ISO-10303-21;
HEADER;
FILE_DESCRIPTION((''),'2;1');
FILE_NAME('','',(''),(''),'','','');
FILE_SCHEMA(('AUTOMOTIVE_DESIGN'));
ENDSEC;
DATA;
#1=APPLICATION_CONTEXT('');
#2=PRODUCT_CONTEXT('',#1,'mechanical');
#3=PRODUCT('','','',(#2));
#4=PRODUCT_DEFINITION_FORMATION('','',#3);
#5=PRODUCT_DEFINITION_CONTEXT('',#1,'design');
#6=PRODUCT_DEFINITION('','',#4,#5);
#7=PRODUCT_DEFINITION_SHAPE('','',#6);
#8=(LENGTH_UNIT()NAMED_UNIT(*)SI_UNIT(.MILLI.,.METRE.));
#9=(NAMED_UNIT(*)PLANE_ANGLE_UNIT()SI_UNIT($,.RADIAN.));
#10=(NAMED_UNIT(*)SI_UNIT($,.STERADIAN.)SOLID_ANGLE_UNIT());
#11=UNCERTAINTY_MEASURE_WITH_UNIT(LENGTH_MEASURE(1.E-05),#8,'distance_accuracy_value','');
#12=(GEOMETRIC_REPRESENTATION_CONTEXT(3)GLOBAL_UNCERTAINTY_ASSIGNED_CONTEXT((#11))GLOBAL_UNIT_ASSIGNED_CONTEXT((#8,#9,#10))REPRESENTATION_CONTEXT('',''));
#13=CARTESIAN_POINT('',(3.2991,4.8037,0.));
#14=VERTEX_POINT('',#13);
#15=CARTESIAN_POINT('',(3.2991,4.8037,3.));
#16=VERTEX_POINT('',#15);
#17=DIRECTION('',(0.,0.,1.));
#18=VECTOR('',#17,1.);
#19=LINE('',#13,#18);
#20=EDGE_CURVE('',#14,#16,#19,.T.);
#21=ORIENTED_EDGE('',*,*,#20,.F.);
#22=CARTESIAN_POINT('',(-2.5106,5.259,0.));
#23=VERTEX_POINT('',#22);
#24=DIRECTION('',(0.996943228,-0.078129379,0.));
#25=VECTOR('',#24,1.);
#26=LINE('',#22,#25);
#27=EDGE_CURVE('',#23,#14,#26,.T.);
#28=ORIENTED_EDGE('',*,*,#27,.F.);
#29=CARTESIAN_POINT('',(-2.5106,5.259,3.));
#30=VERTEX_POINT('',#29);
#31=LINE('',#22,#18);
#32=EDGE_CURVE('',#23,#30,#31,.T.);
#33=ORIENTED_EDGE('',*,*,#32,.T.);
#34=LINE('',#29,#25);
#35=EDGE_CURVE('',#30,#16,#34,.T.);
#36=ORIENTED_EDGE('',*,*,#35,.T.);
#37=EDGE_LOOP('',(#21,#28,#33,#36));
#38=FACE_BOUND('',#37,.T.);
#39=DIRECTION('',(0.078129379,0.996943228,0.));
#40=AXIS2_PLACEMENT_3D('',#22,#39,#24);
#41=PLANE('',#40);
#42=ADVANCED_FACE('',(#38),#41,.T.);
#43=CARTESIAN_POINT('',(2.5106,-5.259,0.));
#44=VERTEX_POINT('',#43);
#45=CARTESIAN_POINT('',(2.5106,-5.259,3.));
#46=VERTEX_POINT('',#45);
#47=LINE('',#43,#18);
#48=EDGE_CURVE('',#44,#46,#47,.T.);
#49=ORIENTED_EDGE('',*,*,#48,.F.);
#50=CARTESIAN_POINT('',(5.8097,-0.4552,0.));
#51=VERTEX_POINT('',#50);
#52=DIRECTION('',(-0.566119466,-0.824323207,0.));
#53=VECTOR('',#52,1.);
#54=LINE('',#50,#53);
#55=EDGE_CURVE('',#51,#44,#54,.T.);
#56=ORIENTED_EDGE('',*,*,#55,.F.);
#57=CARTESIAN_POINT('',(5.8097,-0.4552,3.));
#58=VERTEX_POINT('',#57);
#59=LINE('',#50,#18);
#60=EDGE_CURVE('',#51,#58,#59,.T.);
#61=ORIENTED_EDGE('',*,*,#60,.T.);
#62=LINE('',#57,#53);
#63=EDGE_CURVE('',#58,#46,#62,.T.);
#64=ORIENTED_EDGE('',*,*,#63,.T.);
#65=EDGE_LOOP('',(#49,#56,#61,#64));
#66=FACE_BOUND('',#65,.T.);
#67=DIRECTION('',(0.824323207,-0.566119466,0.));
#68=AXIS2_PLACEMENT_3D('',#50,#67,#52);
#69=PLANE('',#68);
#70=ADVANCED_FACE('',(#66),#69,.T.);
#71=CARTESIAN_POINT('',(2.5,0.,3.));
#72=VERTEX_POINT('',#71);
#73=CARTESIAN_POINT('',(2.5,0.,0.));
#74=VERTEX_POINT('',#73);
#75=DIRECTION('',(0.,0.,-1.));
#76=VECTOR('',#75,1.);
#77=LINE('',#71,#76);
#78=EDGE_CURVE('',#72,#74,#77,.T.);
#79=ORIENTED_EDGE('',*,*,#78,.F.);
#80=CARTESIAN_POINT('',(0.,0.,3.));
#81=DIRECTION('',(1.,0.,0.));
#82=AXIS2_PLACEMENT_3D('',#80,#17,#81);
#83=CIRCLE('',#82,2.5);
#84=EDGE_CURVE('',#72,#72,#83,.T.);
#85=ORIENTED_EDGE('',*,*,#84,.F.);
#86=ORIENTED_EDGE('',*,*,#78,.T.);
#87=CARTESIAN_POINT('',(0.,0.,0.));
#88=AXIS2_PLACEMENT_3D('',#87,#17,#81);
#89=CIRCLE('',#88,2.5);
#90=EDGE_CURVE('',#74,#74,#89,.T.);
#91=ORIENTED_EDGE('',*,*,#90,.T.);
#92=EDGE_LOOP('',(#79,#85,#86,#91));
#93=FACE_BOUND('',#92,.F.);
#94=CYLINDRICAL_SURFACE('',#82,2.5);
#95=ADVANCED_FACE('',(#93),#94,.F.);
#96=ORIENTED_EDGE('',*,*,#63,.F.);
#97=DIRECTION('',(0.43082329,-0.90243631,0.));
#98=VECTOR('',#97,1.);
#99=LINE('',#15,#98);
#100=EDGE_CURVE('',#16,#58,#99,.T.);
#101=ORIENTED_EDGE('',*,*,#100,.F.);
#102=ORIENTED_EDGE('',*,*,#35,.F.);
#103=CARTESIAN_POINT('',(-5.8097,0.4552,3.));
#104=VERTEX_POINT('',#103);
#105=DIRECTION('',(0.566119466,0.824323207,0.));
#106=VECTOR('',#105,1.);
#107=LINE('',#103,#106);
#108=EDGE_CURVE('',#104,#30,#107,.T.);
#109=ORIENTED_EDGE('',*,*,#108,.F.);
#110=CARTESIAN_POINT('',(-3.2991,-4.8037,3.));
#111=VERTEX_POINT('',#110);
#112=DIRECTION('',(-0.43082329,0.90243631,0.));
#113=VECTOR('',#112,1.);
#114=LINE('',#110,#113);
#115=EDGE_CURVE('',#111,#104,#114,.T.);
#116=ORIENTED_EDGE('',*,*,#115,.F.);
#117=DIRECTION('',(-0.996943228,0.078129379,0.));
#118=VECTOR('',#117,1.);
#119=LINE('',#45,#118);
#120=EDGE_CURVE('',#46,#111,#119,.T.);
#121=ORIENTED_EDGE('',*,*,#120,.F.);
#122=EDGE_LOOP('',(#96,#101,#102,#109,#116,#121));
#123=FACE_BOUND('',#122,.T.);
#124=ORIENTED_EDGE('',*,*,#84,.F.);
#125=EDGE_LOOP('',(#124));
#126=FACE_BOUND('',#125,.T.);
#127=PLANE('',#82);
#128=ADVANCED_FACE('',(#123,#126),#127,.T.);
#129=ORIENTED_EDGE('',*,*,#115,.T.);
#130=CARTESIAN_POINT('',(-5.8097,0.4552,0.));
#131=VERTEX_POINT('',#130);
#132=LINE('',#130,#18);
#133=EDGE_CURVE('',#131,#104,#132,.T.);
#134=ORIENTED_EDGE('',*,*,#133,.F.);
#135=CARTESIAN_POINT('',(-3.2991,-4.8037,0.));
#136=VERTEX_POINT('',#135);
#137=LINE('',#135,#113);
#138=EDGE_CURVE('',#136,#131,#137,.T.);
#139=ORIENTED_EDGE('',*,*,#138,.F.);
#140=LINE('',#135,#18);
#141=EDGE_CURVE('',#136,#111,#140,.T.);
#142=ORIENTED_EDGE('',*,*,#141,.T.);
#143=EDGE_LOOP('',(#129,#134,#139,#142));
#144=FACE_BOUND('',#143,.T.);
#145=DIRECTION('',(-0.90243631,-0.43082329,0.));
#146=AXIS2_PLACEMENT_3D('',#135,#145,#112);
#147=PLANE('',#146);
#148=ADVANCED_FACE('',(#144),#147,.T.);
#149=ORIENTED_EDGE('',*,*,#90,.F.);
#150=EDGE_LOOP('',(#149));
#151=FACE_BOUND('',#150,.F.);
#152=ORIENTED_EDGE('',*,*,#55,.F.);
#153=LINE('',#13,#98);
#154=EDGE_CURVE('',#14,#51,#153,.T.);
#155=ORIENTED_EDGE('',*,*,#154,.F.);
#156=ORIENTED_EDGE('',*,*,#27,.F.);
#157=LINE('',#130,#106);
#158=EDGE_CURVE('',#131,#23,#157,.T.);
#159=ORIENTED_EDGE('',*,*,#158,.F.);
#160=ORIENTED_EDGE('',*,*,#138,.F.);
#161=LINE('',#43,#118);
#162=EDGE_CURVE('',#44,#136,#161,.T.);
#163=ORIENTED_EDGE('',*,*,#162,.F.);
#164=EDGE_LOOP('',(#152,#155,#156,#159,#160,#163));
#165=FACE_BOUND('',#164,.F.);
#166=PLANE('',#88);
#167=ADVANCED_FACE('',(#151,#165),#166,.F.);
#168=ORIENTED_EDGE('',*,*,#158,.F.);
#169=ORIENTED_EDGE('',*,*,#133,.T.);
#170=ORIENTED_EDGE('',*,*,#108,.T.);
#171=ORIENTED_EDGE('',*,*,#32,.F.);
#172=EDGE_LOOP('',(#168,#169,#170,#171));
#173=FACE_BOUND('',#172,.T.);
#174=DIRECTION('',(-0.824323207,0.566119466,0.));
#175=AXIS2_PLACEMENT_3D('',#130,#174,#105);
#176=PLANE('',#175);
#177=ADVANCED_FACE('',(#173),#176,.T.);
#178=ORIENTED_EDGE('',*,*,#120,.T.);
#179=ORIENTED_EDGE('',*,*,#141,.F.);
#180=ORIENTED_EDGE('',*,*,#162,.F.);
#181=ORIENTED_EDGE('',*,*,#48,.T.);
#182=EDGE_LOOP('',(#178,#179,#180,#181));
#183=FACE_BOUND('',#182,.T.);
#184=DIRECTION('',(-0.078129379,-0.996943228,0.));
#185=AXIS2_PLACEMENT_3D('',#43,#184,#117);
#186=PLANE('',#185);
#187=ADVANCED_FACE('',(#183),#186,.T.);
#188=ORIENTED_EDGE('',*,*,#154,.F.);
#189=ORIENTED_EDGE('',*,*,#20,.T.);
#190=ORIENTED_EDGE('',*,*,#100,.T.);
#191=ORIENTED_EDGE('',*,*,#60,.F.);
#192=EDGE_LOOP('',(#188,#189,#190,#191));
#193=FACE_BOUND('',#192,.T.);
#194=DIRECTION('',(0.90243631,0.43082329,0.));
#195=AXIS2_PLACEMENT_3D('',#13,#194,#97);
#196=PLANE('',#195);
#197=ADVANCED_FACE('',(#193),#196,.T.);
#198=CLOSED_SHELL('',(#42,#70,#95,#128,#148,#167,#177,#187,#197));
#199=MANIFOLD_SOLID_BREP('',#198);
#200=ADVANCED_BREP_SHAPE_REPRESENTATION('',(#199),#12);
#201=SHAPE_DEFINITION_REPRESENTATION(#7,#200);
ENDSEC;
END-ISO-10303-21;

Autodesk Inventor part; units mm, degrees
ref_plane "YZ Plane" through (0, 0, 0) normal (1, 0, 0) x (0, 1, 0)
ref_plane "XZ Plane" through (0, 0, 0) normal (0, 1, 0) x (-1, 0, 0)
ref_plane "XY Plane" through (0, 0, 0) normal (0, 0, 1) x (1, 0, 0)
sketch "Sketch1" plane through (0, 0, 0) normal (0, 0, 1) x (1, 0, 0)
  line L0 (5.8097, -0.4552) -> (2.5106, -5.259)
  line L1 (2.5106, -5.259) -> (-3.2991, -4.8037)
  line L2 (-3.2991, -4.8037) -> (-5.8097, 0.4552)
  line L3 (-5.8097, 0.4552) -> (-2.5106, 5.259)
  line L4 (-2.5106, 5.259) -> (3.2991, 4.8037)
  line L5 (3.2991, 4.8037) -> (5.8097, -0.4552)
  point P0 (0, 0)
  point P1 (0, 0)
extrude "Extrusion1" add sketch "Sketch1" along normal blind 3
sketch "Sketch2" plane through (0, 0, 3) normal (0, 0, 1) x (1, 0, 0)
  circle A0 centre (0, 0) radius 2.5
  dimension "d2" = 5
extrude "Extrusion2" cut sketch "Sketch2" against normal blind 3
thread "Thread1" size "M5x0.8" class "6H" standard "ANSI Metric M Profile" full length
properties part number "finalbolt"
